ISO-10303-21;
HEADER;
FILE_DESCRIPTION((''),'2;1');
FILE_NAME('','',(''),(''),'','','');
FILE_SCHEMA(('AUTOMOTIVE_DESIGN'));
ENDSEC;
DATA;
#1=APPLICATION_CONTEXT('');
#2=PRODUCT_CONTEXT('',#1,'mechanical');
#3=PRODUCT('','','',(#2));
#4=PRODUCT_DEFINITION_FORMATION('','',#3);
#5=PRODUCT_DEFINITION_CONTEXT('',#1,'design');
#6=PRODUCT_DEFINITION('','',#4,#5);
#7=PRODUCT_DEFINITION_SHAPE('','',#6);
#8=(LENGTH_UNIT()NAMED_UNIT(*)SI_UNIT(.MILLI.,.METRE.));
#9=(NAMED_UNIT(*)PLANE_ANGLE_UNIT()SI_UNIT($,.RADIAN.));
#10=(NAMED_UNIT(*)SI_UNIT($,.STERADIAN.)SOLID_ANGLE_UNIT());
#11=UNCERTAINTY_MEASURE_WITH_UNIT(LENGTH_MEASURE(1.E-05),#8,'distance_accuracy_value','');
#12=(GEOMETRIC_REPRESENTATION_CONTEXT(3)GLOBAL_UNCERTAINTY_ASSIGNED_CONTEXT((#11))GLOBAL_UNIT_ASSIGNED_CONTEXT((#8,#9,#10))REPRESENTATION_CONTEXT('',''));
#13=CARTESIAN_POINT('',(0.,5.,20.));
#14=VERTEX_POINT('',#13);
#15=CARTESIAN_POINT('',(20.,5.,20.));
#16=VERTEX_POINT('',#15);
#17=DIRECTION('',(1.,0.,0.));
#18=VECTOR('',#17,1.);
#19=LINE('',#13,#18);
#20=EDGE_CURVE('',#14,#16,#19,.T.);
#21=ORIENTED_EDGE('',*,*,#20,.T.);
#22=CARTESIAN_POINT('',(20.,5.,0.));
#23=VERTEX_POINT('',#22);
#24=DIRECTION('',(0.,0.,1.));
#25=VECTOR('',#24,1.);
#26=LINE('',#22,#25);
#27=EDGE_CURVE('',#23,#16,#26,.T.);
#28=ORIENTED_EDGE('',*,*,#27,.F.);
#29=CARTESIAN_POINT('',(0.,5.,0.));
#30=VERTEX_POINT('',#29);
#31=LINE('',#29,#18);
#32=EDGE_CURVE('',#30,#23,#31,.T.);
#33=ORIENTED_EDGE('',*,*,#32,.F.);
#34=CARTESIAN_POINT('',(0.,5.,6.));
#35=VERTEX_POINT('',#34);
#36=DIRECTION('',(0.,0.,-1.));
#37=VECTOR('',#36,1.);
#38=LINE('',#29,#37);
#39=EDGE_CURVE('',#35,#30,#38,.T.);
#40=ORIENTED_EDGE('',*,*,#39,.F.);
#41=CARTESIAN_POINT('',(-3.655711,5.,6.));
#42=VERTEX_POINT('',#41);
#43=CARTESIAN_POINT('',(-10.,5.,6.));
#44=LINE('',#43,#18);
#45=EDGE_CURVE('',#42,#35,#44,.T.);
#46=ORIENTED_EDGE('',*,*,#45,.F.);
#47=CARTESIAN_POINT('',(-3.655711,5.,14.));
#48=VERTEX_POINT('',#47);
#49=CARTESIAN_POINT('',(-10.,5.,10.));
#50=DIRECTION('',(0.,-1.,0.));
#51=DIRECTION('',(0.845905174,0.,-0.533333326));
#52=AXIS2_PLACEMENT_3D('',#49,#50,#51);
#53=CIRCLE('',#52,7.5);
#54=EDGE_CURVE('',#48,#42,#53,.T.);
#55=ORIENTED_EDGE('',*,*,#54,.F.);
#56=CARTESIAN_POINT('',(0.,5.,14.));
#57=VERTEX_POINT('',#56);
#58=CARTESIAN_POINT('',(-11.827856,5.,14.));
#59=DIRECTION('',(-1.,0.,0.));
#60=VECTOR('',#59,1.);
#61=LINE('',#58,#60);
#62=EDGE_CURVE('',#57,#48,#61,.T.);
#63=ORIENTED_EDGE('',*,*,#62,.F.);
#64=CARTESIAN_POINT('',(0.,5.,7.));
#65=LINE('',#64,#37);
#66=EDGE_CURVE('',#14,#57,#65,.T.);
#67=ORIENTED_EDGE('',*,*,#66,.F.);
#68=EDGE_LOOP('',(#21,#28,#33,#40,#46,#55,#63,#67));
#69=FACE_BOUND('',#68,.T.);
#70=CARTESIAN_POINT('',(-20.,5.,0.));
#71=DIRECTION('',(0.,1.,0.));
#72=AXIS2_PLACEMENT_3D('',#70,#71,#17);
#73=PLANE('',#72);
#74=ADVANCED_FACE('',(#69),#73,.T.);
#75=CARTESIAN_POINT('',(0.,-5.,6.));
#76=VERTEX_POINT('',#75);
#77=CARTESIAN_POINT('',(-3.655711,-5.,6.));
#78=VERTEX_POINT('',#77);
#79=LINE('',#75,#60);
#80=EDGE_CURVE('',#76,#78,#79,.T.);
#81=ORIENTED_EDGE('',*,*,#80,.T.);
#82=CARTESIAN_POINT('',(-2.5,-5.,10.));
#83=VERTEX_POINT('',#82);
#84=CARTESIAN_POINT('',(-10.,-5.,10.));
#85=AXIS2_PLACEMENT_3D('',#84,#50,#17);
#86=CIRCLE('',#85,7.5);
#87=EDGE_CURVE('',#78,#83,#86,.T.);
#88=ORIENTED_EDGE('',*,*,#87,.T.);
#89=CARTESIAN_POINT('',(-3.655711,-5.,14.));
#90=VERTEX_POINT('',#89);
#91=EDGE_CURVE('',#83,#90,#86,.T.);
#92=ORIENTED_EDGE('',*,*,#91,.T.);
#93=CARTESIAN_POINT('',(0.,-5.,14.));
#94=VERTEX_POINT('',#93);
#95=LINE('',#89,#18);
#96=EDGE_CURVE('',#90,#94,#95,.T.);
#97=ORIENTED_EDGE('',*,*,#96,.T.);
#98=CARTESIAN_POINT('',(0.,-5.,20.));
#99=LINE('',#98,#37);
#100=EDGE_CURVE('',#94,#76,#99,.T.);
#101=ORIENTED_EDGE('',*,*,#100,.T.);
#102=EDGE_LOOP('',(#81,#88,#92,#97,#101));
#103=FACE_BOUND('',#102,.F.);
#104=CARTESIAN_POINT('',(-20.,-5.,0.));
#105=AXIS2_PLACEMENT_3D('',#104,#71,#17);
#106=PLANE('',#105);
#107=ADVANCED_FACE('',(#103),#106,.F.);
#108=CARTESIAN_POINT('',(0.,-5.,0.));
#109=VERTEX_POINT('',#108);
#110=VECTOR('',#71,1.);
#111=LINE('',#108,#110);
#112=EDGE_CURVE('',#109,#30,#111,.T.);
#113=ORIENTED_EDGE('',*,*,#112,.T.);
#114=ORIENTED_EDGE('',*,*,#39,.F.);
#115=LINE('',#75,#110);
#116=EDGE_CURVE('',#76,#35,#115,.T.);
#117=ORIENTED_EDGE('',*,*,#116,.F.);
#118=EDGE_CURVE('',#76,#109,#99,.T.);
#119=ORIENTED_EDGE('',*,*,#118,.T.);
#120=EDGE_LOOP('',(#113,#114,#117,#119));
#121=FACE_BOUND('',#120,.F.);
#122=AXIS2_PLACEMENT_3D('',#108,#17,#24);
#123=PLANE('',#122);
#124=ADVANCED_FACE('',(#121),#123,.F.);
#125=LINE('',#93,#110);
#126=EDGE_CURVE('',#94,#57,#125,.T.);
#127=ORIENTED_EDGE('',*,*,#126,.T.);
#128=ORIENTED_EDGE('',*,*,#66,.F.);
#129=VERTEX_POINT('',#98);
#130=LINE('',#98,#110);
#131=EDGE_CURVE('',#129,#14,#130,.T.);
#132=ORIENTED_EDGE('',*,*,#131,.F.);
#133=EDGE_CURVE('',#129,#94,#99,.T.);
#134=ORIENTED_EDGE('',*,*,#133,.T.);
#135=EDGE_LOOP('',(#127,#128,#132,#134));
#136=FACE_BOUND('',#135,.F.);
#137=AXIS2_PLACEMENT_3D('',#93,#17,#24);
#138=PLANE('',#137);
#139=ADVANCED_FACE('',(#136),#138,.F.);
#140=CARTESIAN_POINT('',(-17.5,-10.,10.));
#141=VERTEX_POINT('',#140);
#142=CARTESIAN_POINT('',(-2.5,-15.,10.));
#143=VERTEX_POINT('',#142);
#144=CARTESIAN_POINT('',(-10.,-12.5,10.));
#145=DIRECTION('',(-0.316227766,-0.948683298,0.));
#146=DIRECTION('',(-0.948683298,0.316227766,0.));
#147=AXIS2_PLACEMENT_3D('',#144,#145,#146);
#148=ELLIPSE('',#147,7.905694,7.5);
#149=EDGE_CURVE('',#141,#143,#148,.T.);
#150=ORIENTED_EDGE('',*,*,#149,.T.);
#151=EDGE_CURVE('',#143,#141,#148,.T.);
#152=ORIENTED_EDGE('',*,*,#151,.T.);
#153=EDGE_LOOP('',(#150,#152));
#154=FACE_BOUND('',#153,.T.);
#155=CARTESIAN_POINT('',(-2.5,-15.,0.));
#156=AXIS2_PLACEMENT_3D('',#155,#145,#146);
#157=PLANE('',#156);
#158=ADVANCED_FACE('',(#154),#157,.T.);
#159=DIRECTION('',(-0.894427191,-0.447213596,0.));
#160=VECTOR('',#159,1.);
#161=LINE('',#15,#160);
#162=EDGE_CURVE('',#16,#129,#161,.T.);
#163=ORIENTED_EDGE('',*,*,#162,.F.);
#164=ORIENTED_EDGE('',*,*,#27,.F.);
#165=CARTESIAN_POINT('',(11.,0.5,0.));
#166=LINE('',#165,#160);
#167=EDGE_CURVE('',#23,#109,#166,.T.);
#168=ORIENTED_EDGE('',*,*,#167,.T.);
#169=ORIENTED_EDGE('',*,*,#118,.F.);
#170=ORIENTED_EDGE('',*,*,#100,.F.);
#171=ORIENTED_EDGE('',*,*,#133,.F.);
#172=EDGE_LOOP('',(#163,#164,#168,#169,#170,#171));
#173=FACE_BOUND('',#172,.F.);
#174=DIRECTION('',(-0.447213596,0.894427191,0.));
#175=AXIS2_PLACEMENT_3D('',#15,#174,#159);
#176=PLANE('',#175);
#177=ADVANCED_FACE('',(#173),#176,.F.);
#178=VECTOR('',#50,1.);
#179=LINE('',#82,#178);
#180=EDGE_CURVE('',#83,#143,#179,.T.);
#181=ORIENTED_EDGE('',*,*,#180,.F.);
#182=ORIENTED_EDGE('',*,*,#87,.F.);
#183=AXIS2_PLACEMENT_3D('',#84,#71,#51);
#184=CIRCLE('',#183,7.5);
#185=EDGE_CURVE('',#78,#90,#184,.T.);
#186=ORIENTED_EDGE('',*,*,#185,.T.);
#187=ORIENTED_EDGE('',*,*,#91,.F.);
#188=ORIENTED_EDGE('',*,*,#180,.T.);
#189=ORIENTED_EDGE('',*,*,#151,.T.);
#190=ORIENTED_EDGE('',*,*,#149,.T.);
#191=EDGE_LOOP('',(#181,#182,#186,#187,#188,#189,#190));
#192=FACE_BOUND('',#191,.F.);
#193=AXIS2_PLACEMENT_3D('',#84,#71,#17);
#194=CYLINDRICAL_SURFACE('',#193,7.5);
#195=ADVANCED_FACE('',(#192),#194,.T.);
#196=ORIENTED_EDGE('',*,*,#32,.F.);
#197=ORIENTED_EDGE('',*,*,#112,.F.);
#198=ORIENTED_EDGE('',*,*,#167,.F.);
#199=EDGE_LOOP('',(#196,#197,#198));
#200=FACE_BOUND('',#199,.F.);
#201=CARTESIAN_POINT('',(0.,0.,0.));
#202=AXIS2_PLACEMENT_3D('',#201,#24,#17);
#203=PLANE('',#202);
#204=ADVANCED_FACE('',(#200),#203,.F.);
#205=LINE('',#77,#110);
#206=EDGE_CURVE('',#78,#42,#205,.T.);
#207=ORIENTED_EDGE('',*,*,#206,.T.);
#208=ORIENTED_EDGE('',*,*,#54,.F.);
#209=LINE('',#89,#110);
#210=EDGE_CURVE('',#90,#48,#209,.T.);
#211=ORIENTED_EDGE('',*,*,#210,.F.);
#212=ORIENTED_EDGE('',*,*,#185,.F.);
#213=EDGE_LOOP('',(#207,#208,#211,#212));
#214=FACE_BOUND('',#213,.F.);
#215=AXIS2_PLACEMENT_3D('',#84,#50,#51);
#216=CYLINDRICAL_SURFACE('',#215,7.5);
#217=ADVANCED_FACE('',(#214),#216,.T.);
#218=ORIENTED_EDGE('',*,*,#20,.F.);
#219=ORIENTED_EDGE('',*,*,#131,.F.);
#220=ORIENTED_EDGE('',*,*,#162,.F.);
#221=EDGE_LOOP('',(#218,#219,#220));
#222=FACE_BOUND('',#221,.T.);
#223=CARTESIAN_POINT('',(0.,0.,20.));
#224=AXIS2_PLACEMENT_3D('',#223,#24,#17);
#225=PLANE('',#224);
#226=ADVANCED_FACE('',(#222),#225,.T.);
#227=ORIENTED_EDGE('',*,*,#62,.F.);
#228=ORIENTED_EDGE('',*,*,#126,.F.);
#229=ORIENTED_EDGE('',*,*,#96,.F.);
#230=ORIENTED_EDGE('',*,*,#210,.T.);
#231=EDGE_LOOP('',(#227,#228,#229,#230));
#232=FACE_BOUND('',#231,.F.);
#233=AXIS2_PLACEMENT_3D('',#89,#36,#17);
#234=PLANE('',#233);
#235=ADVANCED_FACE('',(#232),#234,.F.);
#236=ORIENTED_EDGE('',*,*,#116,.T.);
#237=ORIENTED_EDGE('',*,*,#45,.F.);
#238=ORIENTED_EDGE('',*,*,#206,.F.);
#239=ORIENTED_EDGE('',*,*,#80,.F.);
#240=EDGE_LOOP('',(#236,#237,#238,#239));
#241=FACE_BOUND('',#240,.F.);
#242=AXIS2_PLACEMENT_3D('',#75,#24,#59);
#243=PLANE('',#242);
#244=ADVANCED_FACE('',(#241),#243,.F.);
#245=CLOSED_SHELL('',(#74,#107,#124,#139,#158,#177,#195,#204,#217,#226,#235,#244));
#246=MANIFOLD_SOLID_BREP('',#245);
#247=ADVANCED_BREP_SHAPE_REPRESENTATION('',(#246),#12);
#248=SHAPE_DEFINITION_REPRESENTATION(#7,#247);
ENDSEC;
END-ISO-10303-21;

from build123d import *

# Parameters (mm, degrees)
F0_W      = 40
F0_H      = 10
F1_DEPTH  = 20
F3_DEPTH  = 20.001
F4_R      = 7.5
F5_DEPTH  = 10
F7_DEPTH  = 25
F8_DEPTH  = 20.001
F10_DEPTH = 10.001


with BuildPart() as f1:
    # F0 (on Top) → F1 (new body)
    with BuildSketch(Plane.XY):
        Rectangle(F0_W, F0_H)
    extrude(amount=F1_DEPTH)

    # F2 (on face) → F3 (cut, through all)
    with BuildSketch(Plane.XY.offset(20)):
        Polygon((20, -5), (20, 5), (0, -5), align=None)
    extrude(amount=-F3_DEPTH, mode=Mode.SUBTRACT)

    # F4 (on face) → F5 (join)
    with BuildSketch(Plane.XZ.offset(5)):
        with Locations((-10, 10)):
            Circle(F4_R)
    extrude(amount=F5_DEPTH)

    # F6 (on Top) → F7 (cut)
    with BuildSketch(Plane.XY):
        Polygon((-2.5, -15), (-17.5, -10), (-17.5, -15), align=None)
    extrude(amount=F7_DEPTH, mode=Mode.SUBTRACT)

    # F6 (on Top) → F8 (cut, through all)
    with BuildSketch(Plane.XY):
        Polygon((-2.5, -15), (-17.5, -10), (-17.5, -15), align=None)
    extrude(amount=F8_DEPTH, mode=Mode.SUBTRACT)

    # F9 (on face) → F10 (cut, through all)
    with BuildSketch(Plane.XZ.offset(5)):
        with BuildLine():
            Line((-3.655711, 14), (0, 14))
            Line((0, 14), (0, 20))
            Line((0, 20), (-20, 20))
            Line((-20, 20), (-20, 0))
            Line((-20, 0), (0, 0))
            Line((0, 0), (0, 6))
            Line((0, 6), (-3.655711, 6))
            ThreePointArc((-3.655711, 6), (-17.5, 10), (-3.655711, 14))
        make_face()
    extrude(amount=-F10_DEPTH, mode=Mode.SUBTRACT)


solid = f1.part
